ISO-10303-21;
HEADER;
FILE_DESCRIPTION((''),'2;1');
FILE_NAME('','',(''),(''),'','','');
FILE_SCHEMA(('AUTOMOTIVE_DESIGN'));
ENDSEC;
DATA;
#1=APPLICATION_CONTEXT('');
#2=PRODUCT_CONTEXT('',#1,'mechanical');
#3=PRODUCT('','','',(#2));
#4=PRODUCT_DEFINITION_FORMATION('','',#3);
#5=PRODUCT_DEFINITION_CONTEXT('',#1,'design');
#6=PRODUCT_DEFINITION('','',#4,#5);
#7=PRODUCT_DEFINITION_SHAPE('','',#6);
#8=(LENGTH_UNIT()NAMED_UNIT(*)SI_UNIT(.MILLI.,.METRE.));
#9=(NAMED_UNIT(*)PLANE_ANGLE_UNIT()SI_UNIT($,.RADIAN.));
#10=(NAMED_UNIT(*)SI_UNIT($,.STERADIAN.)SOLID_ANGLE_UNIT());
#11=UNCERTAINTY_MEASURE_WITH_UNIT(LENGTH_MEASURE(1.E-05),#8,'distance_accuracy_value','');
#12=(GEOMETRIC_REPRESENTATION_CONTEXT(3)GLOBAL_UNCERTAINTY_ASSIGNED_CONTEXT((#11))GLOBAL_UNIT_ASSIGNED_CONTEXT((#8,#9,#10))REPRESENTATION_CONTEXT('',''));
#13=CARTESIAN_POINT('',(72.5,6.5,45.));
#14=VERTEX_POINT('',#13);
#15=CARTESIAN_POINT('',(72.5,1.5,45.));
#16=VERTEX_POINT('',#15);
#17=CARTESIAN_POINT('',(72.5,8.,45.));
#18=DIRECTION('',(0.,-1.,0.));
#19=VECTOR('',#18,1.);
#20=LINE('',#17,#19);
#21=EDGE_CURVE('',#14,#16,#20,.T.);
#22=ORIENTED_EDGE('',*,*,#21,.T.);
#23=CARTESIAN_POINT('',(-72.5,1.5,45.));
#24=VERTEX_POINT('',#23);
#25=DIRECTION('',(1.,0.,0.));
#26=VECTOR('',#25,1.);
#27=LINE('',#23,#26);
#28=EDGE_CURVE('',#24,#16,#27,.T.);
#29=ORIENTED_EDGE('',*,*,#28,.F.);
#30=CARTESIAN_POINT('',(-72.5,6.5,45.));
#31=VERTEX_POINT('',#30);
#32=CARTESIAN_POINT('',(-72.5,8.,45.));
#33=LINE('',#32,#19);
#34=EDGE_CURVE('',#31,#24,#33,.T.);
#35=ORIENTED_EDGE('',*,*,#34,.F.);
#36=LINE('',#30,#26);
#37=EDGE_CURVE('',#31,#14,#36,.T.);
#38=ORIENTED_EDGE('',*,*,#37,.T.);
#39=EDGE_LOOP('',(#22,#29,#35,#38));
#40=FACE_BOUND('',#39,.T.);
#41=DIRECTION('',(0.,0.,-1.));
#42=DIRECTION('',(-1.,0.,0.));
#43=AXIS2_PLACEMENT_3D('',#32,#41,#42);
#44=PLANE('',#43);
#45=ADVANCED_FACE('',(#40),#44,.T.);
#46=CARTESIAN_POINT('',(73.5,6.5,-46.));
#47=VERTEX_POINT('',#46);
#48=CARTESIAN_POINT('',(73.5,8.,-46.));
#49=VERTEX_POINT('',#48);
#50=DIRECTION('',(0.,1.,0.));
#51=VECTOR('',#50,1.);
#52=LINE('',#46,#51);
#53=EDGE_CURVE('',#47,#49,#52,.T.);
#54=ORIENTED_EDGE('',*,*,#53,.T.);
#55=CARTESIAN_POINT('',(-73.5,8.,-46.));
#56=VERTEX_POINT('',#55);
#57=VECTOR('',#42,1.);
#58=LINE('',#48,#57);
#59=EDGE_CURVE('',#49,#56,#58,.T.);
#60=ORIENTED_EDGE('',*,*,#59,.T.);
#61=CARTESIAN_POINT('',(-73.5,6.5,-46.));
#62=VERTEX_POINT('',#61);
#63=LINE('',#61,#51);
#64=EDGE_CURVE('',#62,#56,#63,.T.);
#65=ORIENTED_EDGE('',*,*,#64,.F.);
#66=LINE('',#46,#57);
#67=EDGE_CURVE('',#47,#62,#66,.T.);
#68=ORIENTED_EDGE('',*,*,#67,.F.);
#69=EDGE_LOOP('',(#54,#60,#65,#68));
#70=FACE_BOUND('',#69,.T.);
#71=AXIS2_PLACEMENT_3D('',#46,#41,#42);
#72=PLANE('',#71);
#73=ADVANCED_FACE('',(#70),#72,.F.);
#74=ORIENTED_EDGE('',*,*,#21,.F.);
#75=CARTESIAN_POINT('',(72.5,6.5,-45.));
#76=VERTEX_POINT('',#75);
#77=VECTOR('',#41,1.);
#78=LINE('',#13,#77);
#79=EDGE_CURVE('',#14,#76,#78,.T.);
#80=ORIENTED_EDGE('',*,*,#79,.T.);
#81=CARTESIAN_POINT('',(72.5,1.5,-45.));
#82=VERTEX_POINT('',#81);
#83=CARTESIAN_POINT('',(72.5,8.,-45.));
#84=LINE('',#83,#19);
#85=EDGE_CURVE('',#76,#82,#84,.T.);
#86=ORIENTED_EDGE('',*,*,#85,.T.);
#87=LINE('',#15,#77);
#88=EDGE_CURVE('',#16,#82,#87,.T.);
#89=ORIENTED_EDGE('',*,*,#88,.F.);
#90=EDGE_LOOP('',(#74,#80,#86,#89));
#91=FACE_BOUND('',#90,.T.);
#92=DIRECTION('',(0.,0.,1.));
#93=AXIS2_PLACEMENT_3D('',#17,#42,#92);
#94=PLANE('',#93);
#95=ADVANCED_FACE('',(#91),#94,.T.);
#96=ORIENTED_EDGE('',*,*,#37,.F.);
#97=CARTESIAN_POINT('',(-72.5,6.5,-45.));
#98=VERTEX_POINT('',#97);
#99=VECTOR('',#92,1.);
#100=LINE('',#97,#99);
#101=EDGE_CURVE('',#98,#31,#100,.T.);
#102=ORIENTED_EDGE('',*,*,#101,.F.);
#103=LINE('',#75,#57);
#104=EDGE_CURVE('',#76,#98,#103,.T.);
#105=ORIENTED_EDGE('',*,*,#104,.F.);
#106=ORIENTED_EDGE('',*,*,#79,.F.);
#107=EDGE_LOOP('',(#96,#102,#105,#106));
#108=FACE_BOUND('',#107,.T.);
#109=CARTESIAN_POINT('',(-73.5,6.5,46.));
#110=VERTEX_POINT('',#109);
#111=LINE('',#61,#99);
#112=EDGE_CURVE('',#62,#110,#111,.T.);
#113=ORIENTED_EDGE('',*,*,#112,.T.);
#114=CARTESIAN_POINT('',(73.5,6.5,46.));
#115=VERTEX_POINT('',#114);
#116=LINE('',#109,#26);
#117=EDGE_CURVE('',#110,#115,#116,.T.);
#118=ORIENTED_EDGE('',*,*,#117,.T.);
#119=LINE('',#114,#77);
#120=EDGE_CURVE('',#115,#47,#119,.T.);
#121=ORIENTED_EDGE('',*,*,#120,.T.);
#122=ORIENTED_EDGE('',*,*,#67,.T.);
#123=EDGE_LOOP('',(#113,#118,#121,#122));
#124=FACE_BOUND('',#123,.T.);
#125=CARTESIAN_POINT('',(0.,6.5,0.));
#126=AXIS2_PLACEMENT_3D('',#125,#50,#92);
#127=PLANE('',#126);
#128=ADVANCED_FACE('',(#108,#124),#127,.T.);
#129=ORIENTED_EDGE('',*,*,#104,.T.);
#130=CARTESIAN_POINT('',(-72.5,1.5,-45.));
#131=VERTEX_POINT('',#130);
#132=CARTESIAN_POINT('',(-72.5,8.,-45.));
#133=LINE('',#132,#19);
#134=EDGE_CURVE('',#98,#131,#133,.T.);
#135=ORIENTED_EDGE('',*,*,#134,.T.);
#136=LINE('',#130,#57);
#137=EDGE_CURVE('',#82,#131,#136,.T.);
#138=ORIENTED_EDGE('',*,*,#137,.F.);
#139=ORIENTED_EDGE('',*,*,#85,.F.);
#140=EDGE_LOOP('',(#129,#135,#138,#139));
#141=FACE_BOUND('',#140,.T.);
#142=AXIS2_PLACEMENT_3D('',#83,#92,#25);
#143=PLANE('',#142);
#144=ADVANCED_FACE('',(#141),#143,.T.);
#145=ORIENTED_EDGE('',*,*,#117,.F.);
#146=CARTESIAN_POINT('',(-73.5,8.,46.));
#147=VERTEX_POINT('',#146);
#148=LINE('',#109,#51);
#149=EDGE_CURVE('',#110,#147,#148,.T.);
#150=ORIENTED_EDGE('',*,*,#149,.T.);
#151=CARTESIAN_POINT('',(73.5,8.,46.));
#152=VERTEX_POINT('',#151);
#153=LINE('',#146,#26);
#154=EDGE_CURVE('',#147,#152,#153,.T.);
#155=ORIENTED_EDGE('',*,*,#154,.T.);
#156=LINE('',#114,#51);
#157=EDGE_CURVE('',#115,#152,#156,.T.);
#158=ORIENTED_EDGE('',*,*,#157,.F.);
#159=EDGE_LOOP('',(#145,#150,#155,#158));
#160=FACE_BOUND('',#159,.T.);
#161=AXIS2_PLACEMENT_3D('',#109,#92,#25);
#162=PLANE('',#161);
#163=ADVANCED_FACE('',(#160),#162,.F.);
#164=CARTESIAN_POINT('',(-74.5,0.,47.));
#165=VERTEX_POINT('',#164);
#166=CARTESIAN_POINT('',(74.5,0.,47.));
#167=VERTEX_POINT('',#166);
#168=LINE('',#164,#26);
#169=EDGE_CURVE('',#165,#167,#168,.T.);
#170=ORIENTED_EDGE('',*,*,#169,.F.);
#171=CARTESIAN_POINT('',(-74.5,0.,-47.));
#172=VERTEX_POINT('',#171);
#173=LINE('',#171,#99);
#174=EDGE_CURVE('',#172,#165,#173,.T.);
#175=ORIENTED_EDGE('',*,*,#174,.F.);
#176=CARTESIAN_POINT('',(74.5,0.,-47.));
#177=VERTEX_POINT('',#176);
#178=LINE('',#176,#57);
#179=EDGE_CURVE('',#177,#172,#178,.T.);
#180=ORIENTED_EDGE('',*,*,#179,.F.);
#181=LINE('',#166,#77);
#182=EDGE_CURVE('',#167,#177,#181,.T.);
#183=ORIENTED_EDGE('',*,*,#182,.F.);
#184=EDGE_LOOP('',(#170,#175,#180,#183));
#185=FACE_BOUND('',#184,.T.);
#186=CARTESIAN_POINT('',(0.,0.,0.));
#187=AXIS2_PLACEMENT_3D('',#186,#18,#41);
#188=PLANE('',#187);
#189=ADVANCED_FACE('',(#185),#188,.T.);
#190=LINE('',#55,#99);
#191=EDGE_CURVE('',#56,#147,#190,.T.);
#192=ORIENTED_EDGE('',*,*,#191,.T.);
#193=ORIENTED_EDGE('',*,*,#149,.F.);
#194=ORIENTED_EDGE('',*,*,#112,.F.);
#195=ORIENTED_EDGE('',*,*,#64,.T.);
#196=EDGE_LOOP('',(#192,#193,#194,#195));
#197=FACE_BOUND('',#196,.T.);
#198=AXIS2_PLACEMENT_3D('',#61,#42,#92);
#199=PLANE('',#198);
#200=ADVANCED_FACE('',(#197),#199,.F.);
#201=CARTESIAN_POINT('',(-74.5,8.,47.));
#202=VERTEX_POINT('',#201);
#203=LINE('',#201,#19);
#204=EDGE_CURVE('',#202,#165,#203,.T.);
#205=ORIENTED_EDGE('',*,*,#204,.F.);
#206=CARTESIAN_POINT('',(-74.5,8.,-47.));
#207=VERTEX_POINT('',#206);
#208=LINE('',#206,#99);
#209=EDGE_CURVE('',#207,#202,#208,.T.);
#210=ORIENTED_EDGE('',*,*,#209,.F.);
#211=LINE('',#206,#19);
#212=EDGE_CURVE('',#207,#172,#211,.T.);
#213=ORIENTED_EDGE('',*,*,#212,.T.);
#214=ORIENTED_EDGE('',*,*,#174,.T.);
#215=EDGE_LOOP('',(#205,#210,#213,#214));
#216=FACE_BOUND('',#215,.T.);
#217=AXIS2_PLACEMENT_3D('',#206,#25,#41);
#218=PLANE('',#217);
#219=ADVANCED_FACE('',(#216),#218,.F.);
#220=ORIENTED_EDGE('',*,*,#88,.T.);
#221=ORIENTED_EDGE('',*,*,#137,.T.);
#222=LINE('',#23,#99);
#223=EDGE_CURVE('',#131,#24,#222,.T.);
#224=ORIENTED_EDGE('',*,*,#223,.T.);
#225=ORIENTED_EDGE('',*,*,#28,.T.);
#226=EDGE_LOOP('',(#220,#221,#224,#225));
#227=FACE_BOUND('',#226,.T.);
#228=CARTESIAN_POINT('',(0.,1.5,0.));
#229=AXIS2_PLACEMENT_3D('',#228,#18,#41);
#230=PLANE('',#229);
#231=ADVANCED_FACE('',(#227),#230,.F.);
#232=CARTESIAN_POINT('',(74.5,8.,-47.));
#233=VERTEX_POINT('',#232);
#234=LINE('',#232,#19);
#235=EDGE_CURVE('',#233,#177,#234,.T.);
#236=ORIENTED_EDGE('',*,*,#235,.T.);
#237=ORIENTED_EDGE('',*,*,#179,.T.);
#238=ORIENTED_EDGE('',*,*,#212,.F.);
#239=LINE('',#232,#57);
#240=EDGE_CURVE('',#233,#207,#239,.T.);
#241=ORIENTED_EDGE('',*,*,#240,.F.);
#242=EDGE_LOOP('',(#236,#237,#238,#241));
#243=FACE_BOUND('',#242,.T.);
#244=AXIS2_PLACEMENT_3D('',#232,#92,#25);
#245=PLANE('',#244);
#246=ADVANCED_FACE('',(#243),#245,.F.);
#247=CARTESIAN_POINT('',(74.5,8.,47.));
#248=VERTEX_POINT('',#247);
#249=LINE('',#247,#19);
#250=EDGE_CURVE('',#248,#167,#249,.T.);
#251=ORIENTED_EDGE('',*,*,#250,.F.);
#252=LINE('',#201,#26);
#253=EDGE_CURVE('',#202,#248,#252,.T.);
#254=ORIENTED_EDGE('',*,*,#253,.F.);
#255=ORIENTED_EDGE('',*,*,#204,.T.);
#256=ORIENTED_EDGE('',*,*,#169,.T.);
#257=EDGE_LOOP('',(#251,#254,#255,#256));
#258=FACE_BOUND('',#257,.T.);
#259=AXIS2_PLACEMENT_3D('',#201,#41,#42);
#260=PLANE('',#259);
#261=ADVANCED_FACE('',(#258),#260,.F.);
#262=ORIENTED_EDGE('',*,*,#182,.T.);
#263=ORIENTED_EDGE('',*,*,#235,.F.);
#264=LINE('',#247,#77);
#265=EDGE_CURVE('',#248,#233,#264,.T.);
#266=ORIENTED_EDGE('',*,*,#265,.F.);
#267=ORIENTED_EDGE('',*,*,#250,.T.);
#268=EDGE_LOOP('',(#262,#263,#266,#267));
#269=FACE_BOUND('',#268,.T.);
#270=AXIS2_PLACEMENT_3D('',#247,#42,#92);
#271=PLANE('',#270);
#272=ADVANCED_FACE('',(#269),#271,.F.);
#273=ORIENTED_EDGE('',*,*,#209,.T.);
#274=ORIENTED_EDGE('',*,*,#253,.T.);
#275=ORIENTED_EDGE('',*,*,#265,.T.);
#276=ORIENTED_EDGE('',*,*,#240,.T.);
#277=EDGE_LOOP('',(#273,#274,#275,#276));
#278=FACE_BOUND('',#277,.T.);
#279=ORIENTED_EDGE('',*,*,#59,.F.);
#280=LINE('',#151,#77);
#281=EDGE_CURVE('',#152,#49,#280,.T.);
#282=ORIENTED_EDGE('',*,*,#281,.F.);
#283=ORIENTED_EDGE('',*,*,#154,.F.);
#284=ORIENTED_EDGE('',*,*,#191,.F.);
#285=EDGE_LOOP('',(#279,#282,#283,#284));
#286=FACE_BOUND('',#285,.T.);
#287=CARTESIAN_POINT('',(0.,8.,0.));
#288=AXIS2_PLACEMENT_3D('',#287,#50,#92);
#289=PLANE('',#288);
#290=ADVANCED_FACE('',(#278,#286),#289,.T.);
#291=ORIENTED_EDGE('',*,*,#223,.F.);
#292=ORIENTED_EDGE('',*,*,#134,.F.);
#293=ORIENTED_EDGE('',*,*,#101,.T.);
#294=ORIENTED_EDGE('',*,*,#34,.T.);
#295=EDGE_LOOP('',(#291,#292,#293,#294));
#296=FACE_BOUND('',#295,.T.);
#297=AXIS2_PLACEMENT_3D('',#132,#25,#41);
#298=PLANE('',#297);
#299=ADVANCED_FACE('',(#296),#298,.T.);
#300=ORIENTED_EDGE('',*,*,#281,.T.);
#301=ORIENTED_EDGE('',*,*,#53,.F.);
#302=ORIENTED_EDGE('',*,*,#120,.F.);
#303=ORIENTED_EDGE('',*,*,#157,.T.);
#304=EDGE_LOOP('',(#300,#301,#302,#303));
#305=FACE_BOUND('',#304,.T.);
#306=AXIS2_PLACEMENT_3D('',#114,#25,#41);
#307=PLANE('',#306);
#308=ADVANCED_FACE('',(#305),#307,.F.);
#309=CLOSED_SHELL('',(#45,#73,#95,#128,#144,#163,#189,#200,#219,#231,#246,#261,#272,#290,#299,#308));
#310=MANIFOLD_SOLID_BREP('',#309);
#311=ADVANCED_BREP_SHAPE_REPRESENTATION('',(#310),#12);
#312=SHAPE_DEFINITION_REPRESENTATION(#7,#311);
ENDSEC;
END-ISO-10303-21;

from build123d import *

# Parameters (mm, degrees)
SKETCH1_W           = 145
SKETCH1_H           = 90
BOSS_EXTRUDE1_DEPTH = 1.5
SKETCH2_W           = 149
SKETCH2_H           = 94
SKETCH2_W_2         = 145
SKETCH2_H_2         = 90
BOSS_EXTRUDE2_DEPTH = 8
SKETCH3_W           = 147
SKETCH3_H           = 92
SKETCH3_W_2         = 145
SKETCH3_H_2         = 90
CUT_EXTRUDE1_DEPTH  = 1.5


with BuildPart() as part:
    # Sketch1 → Boss-Extrude1 (new body)
    with BuildSketch(Plane(origin=(0, 0, 0), x_dir=(1, 0, 0), z_dir=(0, 1, 0))):
        Rectangle(SKETCH1_W, SKETCH1_H)
    extrude(amount=BOSS_EXTRUDE1_DEPTH)

    # Sketch2 → Boss-Extrude2 (add)
    with BuildSketch(Plane(origin=(0, 0, 0), x_dir=(1, 0, 0), z_dir=(0, 1, 0))):
        Rectangle(SKETCH2_W, SKETCH2_H)
        Rectangle(SKETCH2_W_2, SKETCH2_H_2, mode=Mode.SUBTRACT)
    extrude(amount=BOSS_EXTRUDE2_DEPTH)

    # Sketch3 → Cut-Extrude1 (cut)
    with BuildSketch(Plane(origin=(0, 8, 0), x_dir=(1, 0, 0), z_dir=(0, 1, 0))):
        Rectangle(SKETCH3_W, SKETCH3_H)
        Rectangle(SKETCH3_W_2, SKETCH3_H_2, mode=Mode.SUBTRACT)
    extrude(amount=-CUT_EXTRUDE1_DEPTH, mode=Mode.SUBTRACT)


solid = part.part
